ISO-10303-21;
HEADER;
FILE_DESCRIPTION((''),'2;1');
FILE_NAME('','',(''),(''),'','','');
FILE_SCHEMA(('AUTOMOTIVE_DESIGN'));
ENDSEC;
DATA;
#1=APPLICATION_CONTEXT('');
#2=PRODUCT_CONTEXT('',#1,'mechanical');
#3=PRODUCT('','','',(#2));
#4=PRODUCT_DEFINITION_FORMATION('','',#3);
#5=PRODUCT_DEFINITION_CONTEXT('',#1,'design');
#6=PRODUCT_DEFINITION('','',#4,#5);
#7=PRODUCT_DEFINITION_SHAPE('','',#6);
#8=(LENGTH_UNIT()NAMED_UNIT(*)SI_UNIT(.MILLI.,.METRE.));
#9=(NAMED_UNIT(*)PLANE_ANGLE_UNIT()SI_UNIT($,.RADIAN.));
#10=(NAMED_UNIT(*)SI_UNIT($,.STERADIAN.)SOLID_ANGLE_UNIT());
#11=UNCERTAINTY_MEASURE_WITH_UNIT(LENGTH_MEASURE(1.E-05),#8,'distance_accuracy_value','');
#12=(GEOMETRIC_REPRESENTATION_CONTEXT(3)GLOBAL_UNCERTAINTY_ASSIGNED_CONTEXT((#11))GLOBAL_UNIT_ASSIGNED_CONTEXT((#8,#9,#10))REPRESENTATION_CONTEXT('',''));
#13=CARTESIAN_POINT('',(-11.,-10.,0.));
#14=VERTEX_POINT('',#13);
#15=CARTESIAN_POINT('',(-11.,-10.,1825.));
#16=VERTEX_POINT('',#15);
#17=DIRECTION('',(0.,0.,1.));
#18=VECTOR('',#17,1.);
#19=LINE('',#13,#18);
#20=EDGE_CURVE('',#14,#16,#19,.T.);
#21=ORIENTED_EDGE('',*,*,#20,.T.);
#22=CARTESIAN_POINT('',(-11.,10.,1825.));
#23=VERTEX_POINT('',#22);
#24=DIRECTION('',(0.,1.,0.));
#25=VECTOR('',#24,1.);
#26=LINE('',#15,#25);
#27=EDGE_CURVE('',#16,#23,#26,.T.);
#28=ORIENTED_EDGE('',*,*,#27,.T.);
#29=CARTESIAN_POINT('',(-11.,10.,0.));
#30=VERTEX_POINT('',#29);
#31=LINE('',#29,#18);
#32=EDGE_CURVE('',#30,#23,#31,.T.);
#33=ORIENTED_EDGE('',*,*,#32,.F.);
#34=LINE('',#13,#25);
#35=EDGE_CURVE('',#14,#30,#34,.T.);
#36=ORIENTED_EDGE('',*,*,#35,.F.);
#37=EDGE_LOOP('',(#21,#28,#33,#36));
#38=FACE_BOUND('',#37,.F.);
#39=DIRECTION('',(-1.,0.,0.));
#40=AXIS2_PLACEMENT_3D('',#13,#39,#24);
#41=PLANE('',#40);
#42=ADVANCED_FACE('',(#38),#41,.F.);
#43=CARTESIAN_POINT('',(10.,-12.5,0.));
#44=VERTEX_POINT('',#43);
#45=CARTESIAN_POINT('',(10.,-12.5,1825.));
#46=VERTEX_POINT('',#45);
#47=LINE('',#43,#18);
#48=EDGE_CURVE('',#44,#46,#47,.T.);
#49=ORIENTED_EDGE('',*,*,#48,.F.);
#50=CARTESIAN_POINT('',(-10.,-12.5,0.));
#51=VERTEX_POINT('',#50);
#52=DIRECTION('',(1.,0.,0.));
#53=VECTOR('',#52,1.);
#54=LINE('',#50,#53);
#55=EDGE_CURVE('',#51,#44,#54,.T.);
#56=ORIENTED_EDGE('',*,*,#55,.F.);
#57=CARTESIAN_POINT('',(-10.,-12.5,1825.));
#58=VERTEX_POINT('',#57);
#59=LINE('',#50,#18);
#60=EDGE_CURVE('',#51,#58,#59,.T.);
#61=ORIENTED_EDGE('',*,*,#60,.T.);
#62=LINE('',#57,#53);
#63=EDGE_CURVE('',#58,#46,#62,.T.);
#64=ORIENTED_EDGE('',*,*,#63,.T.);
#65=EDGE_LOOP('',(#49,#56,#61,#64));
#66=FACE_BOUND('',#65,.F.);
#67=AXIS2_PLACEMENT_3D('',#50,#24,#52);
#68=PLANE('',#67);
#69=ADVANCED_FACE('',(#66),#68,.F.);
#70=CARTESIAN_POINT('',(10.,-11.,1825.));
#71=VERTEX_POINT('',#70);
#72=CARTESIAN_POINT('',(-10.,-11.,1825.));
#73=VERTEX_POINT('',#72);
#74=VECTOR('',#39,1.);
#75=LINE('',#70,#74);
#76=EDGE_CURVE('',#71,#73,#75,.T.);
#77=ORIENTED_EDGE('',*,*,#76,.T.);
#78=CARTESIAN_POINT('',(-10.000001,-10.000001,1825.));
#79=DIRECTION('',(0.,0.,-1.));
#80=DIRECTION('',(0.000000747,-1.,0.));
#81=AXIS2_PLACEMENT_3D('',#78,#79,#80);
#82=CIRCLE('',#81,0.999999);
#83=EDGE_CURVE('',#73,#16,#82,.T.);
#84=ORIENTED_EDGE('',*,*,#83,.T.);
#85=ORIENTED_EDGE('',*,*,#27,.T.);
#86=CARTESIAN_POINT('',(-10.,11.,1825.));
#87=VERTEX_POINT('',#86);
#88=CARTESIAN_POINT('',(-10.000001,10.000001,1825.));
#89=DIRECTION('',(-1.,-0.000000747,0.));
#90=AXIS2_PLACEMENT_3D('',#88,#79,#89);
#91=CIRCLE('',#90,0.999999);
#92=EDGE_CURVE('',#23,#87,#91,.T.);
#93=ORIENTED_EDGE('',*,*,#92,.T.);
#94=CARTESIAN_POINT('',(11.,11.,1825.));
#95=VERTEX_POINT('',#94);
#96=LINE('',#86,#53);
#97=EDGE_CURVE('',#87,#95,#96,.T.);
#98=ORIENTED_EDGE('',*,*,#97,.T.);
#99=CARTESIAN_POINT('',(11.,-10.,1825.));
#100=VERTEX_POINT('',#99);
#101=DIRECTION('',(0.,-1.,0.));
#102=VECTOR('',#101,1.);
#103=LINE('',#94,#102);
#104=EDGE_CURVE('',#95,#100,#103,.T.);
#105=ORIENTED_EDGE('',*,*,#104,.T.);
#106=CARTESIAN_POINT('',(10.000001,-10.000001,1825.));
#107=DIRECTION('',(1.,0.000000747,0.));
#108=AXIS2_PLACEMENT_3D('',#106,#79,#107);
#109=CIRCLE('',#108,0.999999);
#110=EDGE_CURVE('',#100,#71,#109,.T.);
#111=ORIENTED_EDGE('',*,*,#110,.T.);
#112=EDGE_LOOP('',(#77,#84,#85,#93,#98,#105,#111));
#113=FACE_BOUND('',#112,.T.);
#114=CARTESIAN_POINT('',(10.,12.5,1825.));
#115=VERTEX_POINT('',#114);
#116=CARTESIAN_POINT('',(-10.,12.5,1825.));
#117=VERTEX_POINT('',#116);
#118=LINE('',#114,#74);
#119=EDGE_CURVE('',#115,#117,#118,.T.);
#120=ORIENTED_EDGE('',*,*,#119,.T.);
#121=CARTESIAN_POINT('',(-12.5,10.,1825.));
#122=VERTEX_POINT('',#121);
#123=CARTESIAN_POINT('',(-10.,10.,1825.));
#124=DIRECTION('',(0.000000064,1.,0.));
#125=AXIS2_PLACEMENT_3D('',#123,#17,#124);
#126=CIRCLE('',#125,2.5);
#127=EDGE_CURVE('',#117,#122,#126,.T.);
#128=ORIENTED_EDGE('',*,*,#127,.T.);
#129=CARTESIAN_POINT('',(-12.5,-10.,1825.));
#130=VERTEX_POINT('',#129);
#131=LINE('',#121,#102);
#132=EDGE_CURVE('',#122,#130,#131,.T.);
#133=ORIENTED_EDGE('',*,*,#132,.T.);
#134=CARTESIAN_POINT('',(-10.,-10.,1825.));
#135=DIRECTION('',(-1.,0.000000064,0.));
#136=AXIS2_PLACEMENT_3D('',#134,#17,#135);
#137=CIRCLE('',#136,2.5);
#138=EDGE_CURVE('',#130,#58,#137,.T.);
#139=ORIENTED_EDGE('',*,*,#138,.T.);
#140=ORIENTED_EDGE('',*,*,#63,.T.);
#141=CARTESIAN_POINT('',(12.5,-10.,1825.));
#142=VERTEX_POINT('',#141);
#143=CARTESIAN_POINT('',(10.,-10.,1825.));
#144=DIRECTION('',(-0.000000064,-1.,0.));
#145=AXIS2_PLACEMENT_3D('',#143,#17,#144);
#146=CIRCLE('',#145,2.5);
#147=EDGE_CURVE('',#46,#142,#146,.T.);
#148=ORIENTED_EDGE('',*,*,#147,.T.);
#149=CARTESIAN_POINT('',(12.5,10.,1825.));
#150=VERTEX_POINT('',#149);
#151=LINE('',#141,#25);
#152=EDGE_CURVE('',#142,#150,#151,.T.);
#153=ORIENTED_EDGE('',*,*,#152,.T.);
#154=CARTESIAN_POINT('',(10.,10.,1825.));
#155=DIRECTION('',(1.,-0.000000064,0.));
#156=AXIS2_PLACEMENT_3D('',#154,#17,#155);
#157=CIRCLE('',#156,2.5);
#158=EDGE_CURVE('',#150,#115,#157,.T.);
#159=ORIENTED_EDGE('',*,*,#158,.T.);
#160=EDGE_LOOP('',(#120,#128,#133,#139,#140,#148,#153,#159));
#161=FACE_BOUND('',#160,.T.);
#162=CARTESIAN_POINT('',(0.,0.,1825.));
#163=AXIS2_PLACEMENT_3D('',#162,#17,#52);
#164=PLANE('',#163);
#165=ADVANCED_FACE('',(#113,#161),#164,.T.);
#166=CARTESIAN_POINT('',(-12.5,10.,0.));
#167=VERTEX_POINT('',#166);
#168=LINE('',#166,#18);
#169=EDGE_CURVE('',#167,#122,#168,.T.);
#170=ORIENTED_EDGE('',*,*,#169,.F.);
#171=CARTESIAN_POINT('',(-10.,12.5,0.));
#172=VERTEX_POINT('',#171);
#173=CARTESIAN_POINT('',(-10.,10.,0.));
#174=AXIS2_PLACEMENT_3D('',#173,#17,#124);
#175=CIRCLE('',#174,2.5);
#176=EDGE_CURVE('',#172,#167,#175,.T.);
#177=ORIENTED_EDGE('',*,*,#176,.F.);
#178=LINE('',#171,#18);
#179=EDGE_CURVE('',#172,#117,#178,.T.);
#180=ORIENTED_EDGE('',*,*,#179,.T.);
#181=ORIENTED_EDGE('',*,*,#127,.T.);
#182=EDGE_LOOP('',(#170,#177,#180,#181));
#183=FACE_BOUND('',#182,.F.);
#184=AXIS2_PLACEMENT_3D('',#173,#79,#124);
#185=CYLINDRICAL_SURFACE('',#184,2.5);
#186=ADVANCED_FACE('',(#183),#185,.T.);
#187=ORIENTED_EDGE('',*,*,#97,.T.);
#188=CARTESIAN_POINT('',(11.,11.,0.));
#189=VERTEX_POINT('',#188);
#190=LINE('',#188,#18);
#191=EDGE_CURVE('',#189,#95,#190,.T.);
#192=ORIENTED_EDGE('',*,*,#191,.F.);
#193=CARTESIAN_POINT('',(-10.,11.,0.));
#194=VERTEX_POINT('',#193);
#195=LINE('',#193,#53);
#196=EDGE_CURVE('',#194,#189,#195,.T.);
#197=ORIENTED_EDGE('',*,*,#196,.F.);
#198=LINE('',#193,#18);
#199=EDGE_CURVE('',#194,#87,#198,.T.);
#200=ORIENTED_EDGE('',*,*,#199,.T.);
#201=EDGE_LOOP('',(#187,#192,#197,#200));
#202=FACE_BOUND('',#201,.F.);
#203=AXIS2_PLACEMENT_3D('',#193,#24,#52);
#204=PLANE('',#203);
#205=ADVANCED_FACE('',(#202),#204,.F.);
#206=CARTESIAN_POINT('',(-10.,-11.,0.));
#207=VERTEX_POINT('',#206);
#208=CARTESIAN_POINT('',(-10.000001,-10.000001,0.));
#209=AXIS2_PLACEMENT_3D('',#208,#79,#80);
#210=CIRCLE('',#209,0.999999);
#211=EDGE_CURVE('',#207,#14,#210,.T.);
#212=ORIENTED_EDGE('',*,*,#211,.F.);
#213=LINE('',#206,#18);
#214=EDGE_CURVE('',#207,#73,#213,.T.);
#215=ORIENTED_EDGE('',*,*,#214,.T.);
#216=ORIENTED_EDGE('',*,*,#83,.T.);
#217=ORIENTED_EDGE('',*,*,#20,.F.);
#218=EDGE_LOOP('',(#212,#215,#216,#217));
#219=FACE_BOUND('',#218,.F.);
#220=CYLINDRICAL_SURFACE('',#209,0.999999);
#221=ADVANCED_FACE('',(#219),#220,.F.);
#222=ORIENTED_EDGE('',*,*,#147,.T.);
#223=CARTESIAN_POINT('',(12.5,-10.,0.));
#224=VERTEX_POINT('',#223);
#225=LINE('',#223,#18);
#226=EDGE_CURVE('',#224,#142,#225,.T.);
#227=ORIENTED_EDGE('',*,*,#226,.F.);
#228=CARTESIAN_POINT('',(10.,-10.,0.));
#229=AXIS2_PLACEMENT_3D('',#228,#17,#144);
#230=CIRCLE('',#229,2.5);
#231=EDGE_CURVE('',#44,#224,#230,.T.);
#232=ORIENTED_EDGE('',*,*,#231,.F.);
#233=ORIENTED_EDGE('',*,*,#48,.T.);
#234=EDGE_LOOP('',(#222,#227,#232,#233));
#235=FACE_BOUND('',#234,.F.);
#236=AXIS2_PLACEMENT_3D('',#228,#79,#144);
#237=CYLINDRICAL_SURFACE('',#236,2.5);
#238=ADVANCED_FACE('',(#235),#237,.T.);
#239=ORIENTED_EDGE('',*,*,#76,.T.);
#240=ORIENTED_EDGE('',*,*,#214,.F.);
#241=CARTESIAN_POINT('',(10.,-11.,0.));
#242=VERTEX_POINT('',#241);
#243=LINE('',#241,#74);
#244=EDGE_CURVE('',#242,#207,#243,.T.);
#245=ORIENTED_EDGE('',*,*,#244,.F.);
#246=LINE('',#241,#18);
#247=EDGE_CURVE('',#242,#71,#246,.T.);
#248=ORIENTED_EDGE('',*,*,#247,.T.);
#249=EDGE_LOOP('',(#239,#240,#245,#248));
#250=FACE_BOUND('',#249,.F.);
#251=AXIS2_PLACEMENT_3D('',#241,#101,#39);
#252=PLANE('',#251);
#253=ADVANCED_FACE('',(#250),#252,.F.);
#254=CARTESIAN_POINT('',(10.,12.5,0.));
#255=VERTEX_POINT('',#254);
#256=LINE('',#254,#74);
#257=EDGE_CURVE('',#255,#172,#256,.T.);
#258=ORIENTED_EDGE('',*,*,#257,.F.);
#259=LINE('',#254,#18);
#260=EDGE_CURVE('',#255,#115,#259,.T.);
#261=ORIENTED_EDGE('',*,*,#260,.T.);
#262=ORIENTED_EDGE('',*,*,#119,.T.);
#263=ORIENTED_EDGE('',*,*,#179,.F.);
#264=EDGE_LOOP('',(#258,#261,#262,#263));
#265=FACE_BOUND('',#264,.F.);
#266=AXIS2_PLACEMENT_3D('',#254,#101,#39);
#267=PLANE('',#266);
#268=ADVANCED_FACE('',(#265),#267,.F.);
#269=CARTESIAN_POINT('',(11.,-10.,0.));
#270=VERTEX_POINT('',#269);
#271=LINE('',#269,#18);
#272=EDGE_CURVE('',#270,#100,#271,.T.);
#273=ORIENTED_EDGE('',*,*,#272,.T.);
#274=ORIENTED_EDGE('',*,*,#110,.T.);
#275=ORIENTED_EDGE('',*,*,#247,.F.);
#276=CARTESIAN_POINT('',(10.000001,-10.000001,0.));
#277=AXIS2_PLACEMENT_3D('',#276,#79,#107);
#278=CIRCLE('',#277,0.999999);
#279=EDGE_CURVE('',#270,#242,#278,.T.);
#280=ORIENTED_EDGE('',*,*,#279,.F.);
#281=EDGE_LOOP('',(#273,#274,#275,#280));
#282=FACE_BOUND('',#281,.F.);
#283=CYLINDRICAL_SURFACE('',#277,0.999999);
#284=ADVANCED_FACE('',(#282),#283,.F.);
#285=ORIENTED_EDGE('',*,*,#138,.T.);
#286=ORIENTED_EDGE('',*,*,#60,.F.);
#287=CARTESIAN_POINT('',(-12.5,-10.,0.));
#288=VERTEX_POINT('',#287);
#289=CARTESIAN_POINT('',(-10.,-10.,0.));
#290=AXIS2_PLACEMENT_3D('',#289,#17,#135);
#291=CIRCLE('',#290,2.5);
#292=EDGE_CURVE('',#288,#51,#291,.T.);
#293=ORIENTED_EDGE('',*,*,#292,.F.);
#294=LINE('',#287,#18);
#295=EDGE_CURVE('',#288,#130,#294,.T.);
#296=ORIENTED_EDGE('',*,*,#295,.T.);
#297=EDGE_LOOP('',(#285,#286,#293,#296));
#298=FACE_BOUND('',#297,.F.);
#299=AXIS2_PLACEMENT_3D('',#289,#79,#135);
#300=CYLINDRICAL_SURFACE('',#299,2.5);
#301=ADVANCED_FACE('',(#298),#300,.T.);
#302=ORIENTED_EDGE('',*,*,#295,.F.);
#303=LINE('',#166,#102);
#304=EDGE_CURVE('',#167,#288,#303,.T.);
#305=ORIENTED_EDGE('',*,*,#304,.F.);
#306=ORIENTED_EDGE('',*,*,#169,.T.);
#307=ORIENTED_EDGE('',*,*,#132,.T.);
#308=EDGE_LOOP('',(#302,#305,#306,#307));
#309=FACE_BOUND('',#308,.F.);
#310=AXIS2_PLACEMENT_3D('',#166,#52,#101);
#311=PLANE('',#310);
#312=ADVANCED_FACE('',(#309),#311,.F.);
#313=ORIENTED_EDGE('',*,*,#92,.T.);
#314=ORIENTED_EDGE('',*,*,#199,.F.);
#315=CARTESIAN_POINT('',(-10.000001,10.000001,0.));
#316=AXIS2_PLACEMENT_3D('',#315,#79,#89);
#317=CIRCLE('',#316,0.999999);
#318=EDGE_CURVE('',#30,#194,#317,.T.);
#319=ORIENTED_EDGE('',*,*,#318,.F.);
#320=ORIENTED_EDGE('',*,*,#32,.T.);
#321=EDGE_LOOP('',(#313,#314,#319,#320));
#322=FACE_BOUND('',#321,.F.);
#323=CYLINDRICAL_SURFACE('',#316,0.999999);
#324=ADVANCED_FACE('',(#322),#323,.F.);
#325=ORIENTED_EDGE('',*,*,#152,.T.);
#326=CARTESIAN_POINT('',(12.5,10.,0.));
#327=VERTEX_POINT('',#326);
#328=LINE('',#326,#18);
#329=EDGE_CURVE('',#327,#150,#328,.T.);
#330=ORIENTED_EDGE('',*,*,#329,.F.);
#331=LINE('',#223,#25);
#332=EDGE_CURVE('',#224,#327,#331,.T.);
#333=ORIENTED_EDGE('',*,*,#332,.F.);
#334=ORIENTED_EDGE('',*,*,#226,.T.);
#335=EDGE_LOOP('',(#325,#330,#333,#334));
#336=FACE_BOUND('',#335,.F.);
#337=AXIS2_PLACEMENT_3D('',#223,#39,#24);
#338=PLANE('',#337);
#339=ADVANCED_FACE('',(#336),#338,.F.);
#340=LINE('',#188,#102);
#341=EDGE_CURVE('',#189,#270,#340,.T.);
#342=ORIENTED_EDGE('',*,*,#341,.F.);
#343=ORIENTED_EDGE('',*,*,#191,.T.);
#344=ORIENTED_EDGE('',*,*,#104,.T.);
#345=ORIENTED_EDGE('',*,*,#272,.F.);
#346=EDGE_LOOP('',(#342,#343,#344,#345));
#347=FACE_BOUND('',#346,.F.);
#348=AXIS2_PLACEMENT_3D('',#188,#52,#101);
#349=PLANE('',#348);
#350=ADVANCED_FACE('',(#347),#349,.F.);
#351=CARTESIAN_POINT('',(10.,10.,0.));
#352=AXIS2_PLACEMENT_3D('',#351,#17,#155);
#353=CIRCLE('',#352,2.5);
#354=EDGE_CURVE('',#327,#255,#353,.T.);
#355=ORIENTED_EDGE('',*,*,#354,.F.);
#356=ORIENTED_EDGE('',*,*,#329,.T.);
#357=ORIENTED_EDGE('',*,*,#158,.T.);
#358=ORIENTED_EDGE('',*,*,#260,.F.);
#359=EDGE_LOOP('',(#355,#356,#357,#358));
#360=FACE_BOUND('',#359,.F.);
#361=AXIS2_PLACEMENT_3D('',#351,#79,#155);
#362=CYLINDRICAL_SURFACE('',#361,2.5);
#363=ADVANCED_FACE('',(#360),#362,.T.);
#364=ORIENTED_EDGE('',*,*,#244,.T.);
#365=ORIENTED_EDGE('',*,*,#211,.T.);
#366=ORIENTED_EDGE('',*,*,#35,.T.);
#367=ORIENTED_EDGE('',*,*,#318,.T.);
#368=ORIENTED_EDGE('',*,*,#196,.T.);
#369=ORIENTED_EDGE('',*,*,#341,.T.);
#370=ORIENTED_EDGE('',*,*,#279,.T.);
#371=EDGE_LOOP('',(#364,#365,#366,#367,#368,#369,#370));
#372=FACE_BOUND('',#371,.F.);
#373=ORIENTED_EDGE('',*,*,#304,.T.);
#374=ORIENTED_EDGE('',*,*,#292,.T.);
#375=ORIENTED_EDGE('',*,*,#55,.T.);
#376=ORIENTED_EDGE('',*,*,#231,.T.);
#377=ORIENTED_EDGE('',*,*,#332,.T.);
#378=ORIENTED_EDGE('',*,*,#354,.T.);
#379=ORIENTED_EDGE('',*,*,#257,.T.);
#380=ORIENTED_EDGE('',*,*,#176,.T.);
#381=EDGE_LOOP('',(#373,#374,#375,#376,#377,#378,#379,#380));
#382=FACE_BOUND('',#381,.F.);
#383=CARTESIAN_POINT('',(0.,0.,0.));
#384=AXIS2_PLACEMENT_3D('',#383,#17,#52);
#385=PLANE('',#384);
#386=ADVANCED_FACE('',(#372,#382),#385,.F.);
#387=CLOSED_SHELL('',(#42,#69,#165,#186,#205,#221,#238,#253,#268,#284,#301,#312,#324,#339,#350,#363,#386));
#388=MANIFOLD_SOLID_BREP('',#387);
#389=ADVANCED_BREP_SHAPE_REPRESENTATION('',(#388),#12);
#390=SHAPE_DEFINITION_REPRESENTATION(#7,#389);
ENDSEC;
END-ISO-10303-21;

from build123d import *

# Parameters (mm, degrees)
F1_DEPTH = 1825


with BuildPart() as f1:
    # F0 (on Top) → F1 (new body)
    with BuildSketch(Plane.XY):
        with BuildLine():
            ThreePointArc((12.5, 10), (11.767767, 11.767767), (10, 12.5))
            Line((10, 12.5), (-10, 12.5))
            ThreePointArc((-10, 12.5), (-11.767767, 11.767767), (-12.5, 10))
            Line((-12.5, 10), (-12.5, -10))
            ThreePointArc((-12.5, -10), (-11.767767, -11.767767), (-10, -12.5))
            Line((-10, -12.5), (10, -12.5))
            ThreePointArc((10, -12.5), (11.767767, -11.767767), (12.5, -10))
            Line((12.5, -10), (12.5, 10))
        make_face()
        with BuildLine():
            ThreePointArc((11, -10), (10.707107, -10.707107), (10, -11))
            Line((10, -11), (-10, -11))
            ThreePointArc((-10, -11), (-10.707107, -10.707107), (-11, -10))
            Line((-11, -10), (-11, 10))
            ThreePointArc((-11, 10), (-10.707107, 10.707107), (-10, 11))
            Line((-10, 11), (11, 11))
            Line((11, 11), (11, -10))
        make_face(mode=Mode.SUBTRACT)
    extrude(amount=F1_DEPTH)


solid = f1.part
